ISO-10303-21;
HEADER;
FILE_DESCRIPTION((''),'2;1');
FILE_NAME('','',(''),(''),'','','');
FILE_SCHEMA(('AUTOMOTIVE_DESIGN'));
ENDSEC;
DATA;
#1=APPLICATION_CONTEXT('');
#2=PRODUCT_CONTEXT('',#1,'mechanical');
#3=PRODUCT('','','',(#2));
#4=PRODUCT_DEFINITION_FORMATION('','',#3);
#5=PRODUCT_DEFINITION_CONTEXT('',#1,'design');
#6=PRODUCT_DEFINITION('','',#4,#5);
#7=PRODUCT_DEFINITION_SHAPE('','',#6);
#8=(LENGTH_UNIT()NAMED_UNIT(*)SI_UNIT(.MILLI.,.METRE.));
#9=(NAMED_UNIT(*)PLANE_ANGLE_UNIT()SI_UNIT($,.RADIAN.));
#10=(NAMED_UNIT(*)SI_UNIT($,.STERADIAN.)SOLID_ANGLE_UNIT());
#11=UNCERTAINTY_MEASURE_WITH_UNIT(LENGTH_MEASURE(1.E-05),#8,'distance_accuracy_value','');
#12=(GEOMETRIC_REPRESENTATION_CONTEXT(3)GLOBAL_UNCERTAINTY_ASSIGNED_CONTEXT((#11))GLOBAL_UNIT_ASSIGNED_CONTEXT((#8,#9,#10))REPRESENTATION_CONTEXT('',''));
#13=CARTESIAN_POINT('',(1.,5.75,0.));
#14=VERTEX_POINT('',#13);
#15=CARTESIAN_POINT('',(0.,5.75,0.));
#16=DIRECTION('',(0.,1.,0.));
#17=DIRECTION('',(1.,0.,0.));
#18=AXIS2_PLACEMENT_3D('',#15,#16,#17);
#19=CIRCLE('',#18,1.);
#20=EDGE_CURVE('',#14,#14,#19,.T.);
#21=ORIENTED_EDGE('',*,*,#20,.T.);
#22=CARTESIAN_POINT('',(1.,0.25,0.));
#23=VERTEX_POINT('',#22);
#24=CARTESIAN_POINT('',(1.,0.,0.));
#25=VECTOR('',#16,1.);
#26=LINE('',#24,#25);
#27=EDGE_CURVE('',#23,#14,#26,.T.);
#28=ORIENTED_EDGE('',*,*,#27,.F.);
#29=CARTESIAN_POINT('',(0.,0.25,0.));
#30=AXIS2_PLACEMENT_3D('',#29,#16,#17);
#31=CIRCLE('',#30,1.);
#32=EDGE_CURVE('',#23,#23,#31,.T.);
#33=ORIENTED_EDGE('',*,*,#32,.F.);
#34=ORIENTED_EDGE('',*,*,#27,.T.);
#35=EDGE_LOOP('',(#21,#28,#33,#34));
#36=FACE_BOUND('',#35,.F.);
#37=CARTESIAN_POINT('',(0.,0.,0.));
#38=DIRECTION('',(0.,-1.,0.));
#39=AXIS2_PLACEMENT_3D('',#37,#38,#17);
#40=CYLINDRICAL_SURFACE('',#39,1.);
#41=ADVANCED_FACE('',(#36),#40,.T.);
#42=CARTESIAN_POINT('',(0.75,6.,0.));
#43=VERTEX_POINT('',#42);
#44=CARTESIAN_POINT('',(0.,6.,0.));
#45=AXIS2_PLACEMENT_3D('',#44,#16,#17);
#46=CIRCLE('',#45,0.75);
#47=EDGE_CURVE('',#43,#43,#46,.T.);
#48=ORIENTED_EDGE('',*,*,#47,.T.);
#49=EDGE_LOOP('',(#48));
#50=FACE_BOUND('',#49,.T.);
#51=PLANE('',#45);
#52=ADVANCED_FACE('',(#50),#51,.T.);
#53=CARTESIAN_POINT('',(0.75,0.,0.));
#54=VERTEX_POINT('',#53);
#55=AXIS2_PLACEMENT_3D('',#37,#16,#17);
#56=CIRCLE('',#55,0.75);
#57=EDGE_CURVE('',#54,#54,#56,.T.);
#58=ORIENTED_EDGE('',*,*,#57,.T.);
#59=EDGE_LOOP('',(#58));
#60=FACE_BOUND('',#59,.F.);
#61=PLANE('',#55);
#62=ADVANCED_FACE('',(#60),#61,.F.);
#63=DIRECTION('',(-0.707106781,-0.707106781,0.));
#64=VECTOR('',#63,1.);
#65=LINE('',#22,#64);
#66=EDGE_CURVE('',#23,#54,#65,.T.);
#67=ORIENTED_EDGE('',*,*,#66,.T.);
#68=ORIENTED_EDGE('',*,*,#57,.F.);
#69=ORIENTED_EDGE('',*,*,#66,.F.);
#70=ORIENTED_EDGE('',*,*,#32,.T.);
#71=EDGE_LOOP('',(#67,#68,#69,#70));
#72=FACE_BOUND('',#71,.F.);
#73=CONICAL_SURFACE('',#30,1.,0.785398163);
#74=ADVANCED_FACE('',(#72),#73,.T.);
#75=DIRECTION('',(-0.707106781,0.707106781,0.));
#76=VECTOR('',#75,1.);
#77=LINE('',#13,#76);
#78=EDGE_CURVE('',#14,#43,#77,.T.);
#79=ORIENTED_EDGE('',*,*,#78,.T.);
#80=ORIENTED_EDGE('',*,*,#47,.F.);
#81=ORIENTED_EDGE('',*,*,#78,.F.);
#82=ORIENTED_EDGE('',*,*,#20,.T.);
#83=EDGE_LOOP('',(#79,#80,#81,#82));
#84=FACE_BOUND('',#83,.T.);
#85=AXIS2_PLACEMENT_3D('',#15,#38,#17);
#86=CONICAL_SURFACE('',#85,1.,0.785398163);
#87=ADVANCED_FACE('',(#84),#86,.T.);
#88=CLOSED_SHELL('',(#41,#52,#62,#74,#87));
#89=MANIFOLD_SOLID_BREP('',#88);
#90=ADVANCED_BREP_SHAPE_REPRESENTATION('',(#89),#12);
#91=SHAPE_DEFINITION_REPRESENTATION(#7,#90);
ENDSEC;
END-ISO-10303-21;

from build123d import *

# Parameters (mm, degrees)
SKETCH2_R           = 1
BOSS_EXTRUDE1_DEPTH = 6
CHAMFER1_SIZE       = 0.25


with BuildPart() as part:
    # Sketch2 → Boss-Extrude1 (new body)
    with BuildSketch(Plane(origin=(0, 0, 0), x_dir=(1, 0, 0), z_dir=(0, 1, 0))):
        Circle(SKETCH2_R)
    extrude(amount=BOSS_EXTRUDE1_DEPTH)

    # Chamfer1
    chamfer1_edges = [part.edges().sort_by_distance(p)[0] for p in [
        (-1, 0, 0),
        (-1, 6, 0),
    ]]
    chamfer(chamfer1_edges, length=CHAMFER1_SIZE)


solid = part.part
